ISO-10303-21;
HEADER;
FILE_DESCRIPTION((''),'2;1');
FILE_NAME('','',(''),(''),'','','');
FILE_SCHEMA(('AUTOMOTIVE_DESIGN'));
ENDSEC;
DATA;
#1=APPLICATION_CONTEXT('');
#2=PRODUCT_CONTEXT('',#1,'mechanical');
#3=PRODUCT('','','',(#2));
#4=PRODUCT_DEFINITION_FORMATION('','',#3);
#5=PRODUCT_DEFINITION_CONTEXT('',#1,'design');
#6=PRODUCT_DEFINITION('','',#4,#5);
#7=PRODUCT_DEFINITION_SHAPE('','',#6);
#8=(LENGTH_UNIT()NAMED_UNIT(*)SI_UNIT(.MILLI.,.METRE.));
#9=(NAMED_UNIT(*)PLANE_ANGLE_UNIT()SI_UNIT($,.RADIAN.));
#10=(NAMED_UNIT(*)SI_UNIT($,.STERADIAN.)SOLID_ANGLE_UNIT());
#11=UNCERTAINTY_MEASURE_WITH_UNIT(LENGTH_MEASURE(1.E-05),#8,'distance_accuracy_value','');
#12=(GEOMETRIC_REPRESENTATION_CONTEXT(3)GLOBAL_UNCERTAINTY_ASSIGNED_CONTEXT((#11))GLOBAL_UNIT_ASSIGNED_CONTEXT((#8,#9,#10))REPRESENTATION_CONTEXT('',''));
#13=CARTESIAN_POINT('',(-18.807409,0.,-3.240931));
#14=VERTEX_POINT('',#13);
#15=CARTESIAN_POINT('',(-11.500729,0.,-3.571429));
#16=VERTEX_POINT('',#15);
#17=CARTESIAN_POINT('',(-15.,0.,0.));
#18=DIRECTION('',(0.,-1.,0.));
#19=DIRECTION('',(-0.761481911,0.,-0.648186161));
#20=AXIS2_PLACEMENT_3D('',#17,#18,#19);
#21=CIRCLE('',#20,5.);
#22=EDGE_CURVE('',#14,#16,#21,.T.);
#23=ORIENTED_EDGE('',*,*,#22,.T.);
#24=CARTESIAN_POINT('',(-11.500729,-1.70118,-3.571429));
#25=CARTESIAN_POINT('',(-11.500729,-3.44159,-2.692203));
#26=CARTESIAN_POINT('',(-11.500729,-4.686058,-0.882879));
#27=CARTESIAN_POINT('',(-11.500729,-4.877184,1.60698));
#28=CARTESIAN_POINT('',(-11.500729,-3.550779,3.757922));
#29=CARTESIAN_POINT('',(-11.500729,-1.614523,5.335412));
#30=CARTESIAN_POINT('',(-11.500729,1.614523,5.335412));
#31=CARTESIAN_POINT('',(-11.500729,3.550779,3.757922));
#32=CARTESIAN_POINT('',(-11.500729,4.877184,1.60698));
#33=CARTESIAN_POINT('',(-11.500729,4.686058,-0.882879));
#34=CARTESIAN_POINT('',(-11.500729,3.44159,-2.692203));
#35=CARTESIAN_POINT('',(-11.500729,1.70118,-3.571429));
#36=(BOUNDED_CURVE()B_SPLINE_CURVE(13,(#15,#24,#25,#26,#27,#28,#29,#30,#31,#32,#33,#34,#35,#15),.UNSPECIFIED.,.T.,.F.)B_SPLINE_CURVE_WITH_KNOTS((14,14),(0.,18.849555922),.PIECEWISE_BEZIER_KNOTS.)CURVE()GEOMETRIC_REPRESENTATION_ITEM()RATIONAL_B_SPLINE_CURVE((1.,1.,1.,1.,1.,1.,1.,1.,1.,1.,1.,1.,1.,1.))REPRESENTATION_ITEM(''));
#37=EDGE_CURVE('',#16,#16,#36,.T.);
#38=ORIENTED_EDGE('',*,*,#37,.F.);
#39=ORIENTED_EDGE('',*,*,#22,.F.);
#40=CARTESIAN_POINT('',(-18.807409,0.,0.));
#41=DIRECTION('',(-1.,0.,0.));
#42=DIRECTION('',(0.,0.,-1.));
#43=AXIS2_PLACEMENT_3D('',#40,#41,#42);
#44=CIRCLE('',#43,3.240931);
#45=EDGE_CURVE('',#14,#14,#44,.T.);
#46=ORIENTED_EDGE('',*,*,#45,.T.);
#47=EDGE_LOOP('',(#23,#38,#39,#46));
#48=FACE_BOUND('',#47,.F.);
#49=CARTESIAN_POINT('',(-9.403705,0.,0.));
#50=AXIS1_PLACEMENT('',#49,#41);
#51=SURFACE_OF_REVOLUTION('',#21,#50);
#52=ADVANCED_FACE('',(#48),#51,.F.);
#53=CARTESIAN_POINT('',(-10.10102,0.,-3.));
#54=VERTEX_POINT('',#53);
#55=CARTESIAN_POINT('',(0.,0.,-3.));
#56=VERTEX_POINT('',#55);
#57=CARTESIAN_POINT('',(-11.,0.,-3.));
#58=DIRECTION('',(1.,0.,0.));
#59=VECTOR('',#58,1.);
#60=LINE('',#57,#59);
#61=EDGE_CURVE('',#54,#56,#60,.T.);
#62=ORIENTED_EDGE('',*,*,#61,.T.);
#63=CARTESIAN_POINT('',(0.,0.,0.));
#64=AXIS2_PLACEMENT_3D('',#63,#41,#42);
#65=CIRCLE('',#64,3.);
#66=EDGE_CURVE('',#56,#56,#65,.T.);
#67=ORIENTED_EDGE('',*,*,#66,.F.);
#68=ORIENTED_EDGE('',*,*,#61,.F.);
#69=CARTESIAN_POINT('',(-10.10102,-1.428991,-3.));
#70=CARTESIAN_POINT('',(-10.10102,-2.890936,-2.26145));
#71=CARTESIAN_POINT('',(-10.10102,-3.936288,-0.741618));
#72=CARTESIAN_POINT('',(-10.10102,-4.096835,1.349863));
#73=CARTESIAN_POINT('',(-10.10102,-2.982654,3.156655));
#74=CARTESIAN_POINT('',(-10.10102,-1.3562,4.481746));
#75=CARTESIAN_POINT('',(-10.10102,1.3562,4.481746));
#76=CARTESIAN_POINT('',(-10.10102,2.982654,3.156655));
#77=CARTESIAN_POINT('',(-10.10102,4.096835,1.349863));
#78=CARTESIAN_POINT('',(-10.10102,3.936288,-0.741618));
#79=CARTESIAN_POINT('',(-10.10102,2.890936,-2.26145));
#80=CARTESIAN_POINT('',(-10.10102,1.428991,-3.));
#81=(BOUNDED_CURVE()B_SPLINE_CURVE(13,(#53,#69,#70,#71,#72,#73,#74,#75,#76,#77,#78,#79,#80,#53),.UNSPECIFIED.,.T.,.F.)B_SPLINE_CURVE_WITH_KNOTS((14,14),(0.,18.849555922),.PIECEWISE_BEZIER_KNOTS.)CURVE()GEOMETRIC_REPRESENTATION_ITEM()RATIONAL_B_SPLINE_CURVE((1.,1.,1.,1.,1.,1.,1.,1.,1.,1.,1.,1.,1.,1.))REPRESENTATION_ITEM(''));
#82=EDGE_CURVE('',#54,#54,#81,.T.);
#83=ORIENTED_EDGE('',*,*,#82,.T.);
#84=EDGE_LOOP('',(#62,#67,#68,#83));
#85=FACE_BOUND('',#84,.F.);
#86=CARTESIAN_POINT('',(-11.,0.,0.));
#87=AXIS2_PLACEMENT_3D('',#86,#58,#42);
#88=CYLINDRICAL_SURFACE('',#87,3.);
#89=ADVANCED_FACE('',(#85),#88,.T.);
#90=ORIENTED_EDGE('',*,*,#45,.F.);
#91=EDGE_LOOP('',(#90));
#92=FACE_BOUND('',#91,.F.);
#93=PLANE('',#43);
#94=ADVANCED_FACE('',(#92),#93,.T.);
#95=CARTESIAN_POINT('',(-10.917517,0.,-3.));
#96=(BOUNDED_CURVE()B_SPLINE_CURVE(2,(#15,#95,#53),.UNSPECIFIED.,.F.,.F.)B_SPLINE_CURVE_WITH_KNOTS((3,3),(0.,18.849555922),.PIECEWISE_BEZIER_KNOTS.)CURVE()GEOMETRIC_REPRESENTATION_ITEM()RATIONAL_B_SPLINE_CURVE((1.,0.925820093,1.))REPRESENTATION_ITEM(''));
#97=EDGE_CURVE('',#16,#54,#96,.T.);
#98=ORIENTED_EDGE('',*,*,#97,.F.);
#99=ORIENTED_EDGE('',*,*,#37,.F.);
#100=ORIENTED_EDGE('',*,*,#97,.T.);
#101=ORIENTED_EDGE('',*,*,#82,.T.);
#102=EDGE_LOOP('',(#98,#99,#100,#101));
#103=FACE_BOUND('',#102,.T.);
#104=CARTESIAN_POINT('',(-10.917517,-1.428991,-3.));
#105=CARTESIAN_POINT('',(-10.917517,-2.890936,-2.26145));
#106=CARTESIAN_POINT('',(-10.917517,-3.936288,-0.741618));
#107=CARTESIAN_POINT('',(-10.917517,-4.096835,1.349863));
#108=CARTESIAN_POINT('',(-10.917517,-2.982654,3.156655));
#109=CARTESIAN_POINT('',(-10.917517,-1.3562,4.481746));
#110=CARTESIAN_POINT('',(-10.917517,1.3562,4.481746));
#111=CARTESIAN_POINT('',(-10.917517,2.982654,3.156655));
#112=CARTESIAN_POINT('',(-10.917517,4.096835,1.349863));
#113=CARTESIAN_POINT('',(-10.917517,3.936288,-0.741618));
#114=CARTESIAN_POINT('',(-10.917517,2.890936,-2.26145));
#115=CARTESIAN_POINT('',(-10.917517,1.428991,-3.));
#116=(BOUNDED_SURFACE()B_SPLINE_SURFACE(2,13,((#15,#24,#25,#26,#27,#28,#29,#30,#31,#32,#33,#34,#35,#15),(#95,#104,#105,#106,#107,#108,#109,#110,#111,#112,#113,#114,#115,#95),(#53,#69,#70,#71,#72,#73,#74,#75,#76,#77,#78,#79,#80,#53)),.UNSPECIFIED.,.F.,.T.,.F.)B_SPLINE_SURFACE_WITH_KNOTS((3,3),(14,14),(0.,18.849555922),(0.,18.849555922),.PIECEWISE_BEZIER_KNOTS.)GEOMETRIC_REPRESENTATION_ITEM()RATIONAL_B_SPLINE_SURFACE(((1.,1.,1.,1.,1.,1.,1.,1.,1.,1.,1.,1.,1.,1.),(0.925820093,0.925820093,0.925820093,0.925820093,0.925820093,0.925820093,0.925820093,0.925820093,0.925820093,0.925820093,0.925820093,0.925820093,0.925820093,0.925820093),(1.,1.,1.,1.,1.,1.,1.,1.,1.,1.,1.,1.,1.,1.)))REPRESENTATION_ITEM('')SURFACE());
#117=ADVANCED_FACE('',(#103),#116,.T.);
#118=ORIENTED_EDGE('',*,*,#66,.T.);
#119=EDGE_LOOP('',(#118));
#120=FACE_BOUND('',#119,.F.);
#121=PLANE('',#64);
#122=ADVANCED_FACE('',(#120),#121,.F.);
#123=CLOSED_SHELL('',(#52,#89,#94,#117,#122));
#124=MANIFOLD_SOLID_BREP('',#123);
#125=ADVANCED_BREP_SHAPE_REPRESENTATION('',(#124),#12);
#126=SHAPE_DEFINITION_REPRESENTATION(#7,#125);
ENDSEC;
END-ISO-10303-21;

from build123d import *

# Parameters (mm, degrees)
F2_R = 2


with BuildPart() as f1:
    # F0 (on Front) → F1 (revolve)
    with BuildSketch(Plane.XZ):
        with BuildLine():
            Line((0, -3), (0, 0))
            Line((0, 0), (-18.807409, 0))
            Line((-18.807409, 0), (-18.807409, -3.240931))
            ThreePointArc((-18.807409, -3.240931), (-14.845777, -4.997621), (-11, -3))
            Line((-11, -3), (0, -3))
        make_face()
    revolve(axis=Axis((-9.403705, 0, 0), (-1, 0, 0)))

    # F2
    f2_edges = [f1.edges().sort_by_distance(p)[0] for p in [
        (-11, 0, 3),
    ]]
    fillet(f2_edges, radius=F2_R)


solid = f1.part
